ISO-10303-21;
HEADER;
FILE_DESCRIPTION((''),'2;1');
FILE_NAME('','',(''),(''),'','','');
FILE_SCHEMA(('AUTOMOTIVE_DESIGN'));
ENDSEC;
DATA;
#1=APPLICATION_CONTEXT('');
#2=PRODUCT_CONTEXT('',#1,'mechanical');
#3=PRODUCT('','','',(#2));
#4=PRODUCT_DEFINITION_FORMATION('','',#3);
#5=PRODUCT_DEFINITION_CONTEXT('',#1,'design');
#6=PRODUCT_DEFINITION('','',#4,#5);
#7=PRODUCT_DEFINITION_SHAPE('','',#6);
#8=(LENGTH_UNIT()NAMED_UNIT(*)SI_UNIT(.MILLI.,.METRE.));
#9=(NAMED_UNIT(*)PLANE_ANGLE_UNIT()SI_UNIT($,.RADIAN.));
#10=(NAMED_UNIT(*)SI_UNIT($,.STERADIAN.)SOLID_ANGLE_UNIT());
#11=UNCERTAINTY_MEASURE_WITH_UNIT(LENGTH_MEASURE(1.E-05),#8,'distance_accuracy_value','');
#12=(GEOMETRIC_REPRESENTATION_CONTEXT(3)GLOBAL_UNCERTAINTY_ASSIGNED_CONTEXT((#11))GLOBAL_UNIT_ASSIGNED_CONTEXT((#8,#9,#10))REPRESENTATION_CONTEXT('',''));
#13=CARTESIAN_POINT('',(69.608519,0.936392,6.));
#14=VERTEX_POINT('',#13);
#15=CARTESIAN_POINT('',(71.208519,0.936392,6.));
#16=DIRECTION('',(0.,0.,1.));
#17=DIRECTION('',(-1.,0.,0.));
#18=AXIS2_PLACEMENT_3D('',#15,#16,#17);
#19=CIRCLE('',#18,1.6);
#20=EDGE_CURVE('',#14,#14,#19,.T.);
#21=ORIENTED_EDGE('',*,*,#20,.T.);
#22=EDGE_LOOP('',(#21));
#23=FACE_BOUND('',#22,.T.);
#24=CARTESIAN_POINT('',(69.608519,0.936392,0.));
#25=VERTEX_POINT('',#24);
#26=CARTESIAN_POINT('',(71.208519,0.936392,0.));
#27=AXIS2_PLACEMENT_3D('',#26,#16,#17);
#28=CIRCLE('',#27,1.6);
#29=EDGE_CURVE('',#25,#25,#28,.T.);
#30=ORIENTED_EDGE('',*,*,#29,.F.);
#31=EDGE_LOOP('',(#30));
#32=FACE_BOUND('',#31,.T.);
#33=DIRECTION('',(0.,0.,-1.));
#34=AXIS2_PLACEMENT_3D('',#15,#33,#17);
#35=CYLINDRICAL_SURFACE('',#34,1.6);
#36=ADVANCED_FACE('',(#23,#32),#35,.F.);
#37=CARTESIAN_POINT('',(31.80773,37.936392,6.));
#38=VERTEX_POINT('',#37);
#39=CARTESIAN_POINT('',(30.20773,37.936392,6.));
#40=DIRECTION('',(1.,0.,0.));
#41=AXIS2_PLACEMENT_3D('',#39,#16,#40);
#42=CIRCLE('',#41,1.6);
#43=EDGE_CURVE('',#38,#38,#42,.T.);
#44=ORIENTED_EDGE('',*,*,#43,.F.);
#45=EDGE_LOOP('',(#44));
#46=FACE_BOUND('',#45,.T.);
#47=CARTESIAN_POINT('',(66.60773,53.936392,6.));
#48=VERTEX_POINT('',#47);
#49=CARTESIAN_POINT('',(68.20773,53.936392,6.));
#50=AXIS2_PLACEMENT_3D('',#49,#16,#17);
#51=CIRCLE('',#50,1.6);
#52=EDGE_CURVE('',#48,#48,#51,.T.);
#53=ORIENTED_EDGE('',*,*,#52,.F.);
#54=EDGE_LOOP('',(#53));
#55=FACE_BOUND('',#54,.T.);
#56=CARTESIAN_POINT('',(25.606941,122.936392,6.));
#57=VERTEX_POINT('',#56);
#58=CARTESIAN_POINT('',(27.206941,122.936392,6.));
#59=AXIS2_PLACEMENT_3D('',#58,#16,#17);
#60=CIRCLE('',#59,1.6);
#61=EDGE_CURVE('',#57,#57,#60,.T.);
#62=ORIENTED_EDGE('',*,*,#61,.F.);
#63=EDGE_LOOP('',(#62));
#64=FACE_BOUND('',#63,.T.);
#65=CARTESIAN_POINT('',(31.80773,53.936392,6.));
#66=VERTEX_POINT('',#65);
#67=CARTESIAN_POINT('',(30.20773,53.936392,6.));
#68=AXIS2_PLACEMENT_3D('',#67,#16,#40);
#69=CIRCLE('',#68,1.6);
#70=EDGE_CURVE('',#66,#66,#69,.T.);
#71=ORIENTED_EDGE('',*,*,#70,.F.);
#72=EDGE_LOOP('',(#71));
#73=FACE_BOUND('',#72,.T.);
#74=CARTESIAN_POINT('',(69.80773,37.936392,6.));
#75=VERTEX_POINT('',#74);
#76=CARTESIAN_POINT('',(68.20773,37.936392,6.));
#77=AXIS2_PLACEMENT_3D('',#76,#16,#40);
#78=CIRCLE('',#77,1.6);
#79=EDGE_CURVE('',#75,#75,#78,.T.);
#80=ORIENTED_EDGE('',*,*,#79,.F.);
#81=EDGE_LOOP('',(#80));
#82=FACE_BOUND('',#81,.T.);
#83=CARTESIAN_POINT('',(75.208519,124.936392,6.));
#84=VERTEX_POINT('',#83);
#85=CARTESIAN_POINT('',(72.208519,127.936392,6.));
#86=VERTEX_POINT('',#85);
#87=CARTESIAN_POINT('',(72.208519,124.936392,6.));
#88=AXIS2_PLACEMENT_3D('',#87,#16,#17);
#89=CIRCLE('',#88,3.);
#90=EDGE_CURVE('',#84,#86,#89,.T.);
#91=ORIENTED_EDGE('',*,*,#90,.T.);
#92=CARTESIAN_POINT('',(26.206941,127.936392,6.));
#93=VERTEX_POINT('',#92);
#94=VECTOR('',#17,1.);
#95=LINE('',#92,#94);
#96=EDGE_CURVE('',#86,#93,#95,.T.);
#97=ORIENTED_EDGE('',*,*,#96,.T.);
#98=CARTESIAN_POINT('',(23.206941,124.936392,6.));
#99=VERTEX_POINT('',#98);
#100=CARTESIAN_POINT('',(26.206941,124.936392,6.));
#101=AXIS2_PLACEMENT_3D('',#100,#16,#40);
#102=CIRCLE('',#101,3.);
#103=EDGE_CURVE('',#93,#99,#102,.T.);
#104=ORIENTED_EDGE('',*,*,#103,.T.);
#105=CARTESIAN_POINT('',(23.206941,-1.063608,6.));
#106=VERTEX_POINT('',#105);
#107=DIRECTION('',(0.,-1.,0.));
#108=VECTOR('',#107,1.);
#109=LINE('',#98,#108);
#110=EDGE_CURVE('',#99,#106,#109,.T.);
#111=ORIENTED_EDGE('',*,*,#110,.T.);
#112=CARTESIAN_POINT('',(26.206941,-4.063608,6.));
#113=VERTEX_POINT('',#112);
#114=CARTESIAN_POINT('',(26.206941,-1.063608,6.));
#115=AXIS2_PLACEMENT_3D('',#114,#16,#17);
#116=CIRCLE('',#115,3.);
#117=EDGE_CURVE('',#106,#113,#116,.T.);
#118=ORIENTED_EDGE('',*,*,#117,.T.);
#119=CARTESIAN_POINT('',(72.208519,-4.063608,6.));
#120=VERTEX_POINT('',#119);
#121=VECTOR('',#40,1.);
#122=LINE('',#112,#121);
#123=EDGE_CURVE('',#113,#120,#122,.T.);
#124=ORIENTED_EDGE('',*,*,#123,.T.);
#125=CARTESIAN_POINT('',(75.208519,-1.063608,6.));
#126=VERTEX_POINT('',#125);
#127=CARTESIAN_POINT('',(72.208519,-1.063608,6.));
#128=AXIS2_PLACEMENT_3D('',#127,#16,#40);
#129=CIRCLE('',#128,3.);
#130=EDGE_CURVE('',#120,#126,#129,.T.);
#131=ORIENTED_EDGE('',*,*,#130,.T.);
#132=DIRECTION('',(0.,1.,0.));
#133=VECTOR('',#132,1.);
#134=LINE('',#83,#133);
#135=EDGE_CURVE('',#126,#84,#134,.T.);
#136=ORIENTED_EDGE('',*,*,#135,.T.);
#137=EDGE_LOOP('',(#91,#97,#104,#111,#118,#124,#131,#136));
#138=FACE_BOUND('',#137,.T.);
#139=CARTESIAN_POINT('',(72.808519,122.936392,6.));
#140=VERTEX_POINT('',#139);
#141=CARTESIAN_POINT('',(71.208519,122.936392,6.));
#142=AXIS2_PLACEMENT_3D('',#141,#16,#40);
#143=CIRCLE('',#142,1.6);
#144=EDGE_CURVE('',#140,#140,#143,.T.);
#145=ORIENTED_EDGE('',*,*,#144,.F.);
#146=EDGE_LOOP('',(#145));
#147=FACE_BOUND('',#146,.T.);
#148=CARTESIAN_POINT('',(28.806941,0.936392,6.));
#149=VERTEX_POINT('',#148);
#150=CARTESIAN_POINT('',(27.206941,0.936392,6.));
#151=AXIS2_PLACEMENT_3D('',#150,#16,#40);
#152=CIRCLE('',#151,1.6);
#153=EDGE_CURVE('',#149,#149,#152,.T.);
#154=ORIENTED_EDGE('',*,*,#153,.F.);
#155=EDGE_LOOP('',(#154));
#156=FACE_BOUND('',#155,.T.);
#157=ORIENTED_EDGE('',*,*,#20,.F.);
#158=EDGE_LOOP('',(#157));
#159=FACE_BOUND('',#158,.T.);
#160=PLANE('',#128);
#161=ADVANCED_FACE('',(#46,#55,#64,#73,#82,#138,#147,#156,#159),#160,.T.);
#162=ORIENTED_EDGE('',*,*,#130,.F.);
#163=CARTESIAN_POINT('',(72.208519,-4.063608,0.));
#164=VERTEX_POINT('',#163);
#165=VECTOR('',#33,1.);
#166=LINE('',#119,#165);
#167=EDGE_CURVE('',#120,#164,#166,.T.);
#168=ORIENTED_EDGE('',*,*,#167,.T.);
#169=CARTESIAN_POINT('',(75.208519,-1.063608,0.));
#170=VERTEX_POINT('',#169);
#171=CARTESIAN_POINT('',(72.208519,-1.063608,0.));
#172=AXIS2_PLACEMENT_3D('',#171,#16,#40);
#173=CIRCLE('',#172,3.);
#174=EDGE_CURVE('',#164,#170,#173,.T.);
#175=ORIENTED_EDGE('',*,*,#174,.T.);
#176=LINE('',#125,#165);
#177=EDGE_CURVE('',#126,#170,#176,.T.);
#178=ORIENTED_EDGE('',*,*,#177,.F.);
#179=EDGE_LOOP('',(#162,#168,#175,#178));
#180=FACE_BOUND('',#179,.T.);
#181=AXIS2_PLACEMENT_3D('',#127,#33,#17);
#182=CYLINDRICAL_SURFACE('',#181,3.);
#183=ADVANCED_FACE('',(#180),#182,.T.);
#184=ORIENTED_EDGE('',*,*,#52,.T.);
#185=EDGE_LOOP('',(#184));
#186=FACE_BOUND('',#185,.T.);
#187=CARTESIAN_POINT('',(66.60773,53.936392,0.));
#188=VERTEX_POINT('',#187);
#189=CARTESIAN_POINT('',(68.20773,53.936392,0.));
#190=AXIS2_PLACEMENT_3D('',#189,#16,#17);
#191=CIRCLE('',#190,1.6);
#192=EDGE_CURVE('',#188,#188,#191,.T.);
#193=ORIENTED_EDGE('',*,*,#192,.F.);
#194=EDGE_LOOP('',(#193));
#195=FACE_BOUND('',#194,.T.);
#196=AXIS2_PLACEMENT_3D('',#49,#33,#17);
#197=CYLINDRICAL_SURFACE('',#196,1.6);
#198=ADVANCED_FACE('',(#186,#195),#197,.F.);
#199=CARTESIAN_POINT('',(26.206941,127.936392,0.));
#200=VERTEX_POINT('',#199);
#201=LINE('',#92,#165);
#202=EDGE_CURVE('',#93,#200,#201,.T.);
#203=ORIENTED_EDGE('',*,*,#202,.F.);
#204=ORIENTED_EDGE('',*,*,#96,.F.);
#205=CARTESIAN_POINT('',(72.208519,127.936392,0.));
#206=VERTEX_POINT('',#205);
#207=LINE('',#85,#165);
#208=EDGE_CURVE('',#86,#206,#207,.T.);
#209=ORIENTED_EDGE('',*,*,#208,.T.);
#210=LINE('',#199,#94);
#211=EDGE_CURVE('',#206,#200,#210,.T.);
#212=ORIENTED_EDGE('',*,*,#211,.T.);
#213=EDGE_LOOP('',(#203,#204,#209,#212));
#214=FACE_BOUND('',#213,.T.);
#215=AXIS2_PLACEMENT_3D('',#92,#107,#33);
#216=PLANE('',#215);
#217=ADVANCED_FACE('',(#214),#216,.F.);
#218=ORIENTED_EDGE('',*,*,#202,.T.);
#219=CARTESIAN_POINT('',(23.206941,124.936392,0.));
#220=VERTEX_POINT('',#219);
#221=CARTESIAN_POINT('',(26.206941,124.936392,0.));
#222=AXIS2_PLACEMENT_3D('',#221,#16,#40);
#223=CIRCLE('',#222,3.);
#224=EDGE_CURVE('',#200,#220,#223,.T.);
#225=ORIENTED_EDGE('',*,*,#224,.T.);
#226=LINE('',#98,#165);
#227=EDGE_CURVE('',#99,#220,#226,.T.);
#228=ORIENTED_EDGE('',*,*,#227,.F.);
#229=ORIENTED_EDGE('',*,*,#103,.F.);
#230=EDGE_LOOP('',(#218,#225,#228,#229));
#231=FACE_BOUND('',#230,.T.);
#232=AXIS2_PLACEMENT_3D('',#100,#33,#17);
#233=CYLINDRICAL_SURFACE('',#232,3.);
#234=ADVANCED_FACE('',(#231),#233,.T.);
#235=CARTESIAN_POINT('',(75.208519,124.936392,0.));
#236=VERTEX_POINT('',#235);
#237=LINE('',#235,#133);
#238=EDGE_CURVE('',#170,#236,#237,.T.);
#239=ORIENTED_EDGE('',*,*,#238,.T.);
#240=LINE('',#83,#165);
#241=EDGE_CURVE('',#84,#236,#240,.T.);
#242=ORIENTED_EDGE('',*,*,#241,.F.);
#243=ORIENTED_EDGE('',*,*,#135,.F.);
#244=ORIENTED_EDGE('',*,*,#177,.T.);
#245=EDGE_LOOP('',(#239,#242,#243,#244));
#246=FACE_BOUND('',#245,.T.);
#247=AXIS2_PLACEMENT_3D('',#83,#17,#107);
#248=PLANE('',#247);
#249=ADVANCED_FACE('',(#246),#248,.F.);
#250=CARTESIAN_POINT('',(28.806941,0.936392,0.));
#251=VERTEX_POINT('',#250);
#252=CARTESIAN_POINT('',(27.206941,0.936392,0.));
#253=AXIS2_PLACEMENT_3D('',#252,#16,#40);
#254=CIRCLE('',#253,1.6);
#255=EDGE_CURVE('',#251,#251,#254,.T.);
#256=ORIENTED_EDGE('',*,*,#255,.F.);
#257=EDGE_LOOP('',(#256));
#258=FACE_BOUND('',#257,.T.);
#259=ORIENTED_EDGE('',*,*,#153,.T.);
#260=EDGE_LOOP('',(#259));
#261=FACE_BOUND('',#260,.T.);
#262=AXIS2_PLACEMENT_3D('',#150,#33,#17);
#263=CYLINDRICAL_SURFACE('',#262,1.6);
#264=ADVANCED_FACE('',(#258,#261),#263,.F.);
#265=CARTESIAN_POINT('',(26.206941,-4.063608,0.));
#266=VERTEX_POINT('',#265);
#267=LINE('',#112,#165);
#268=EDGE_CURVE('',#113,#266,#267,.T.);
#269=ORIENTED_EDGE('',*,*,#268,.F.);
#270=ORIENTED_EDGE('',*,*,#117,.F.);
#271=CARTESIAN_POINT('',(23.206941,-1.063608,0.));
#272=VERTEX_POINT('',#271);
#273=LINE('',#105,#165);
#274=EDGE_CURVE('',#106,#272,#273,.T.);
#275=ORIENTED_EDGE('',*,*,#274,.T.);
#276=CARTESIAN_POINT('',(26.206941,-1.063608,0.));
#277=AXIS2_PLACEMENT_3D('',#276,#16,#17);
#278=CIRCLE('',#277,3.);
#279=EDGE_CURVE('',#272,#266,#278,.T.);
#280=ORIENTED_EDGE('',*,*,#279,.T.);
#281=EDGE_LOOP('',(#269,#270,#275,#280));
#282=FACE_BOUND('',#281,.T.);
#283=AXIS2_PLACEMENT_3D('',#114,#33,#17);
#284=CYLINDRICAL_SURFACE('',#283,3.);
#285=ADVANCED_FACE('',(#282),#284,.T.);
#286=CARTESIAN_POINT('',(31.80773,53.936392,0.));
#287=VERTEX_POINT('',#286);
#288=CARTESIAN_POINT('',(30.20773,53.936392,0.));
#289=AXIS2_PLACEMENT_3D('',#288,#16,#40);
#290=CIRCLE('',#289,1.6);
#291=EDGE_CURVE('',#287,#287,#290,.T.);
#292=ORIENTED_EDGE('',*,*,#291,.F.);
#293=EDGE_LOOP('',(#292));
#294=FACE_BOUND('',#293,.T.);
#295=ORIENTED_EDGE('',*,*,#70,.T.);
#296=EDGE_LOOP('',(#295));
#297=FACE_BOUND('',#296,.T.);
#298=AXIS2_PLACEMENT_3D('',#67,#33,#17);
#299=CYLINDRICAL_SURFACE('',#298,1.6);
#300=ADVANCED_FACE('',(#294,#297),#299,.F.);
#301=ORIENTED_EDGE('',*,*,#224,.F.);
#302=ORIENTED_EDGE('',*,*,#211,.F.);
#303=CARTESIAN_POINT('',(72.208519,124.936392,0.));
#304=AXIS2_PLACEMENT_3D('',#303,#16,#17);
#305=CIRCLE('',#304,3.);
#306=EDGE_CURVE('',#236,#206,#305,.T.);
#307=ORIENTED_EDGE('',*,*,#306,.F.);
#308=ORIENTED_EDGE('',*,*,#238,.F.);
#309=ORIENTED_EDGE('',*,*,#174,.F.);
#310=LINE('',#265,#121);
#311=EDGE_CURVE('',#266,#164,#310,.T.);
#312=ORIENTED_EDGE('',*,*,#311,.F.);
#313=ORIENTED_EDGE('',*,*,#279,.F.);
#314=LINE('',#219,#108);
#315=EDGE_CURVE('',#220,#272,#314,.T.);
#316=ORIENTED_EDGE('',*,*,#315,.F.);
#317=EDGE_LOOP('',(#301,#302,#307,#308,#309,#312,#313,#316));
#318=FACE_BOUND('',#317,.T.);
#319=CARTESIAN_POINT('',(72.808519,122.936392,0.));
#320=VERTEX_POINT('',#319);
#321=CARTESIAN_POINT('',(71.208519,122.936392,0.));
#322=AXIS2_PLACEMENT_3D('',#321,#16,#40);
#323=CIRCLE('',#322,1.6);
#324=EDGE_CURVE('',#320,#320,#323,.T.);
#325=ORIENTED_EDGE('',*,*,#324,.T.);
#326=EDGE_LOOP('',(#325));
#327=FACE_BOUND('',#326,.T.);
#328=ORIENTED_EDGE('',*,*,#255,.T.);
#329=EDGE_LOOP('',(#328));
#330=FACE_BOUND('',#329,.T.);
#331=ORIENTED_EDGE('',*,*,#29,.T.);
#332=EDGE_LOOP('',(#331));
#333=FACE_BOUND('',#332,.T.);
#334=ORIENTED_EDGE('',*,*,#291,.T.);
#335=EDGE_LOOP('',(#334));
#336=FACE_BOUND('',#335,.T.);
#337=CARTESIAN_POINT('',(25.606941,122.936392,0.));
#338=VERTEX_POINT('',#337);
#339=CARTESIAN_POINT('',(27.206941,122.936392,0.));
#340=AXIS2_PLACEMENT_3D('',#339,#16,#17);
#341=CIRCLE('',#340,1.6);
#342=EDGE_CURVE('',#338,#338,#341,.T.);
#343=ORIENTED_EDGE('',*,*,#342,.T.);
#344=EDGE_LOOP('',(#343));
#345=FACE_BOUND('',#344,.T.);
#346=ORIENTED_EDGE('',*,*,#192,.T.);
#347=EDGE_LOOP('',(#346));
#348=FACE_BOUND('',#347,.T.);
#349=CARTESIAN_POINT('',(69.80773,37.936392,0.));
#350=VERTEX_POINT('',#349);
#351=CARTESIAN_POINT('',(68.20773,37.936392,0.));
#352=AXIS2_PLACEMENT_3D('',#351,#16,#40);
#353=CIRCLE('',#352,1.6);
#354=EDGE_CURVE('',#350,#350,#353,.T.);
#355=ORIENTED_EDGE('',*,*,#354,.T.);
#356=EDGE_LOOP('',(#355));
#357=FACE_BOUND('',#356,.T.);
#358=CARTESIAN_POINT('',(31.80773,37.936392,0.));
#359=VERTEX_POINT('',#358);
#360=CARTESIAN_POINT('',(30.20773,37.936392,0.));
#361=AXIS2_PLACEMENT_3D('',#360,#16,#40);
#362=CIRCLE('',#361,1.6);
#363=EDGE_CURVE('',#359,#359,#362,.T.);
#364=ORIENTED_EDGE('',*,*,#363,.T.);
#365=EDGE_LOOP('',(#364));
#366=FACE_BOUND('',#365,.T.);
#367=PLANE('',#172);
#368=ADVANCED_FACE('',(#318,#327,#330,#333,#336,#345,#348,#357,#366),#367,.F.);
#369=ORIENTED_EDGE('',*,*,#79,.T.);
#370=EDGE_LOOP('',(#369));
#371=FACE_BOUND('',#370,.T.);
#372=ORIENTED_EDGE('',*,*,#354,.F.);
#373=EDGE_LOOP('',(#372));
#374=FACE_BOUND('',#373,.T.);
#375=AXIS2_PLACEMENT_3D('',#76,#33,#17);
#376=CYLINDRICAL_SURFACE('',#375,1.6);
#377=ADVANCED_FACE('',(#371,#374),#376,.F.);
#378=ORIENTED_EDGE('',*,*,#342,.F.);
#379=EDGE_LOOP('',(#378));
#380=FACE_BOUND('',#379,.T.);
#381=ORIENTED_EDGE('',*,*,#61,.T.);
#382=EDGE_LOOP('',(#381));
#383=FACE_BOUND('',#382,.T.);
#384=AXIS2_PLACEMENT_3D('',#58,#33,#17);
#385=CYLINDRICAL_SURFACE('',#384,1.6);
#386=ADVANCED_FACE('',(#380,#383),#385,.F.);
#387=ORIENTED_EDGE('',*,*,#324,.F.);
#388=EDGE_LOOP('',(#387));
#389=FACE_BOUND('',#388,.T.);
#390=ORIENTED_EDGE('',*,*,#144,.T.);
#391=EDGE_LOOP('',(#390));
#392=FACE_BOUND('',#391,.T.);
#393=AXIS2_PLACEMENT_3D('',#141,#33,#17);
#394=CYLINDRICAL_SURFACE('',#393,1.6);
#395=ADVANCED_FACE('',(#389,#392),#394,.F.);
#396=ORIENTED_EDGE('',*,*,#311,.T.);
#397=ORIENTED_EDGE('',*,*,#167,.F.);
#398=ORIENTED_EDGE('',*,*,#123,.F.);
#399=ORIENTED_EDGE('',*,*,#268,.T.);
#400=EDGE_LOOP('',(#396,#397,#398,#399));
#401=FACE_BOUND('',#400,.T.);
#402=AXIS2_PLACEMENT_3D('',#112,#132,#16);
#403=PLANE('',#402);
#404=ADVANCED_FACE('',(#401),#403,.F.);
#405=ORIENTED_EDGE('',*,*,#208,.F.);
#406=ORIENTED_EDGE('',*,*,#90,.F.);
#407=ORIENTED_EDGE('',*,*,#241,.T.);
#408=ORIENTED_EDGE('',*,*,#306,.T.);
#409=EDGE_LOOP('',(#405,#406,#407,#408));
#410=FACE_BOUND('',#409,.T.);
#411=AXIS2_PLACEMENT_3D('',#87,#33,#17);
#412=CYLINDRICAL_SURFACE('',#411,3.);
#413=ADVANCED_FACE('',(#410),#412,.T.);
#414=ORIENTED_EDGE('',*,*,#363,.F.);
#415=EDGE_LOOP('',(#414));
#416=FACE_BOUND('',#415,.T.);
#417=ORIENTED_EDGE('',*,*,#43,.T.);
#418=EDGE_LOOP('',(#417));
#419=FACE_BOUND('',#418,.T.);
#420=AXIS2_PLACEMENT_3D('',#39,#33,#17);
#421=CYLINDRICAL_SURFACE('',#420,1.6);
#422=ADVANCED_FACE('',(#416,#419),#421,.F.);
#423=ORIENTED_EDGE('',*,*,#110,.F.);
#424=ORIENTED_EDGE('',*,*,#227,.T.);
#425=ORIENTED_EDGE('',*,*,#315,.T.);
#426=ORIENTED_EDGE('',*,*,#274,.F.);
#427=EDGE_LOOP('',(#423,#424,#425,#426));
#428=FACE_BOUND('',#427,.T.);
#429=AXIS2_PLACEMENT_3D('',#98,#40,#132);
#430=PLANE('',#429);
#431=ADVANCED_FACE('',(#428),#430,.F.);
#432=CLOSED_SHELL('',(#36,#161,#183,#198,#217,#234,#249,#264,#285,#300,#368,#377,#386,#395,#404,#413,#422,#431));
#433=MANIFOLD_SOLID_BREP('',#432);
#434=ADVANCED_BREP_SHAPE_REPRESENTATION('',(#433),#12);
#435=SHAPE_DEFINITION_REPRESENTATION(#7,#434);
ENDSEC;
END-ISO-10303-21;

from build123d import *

# Parameters (mm, degrees)
SKETCH1_R           = 1.6
BOSS_EXTRUDE1_DEPTH = 6


with BuildPart() as part:
    # Sketch1 → Boss-Extrude1 (new body)
    with BuildSketch(Plane.XY):
        with BuildLine():
            Line((23.206941284, 124.936391703), (23.206941284, -1.063608297))
            ThreePointArc((23.206941284, -1.063608297), (24.085620941, -3.184928641), (26.206941284, -4.063608297))
            Line((26.206941284, -4.063608297), (72.208519176, -4.063608297))
            ThreePointArc((72.208519176, -4.063608297), (74.32983952, -3.184928641), (75.208519176, -1.063608297))
            Line((75.208519176, -1.063608297), (75.208519176, 124.936391703))
            ThreePointArc((75.208519176, 124.936391703), (74.32983952, 127.057712046), (72.208519176, 127.936391703))
            Line((72.208519176, 127.936391703), (26.206941284, 127.936391703))
            ThreePointArc((26.206941284, 127.936391703), (24.085620941, 127.057712046), (23.206941284, 124.936391703))
        make_face()
        with Locations((30.20773023, 53.936391703)):
            Circle(SKETCH1_R, mode=Mode.SUBTRACT)
        with Locations((27.206941284, 0.936391703)):
            Circle(SKETCH1_R, mode=Mode.SUBTRACT)
        with Locations((30.20773023, 37.936391703)):
            Circle(SKETCH1_R, mode=Mode.SUBTRACT)
        with Locations((71.208519176, 122.936391703)):
            Circle(SKETCH1_R, mode=Mode.SUBTRACT)
        with Locations(Location((71.208519176, 0.936391703, 0), (0, 0, 180))):
            Circle(SKETCH1_R, mode=Mode.SUBTRACT)
        with Locations(Location((68.20773023, 53.936391703, 0), (0, 0, 180))):
            Circle(SKETCH1_R, mode=Mode.SUBTRACT)
        with Locations(Location((27.206941284, 122.936391703, 0), (0, 0, 180))):
            Circle(SKETCH1_R, mode=Mode.SUBTRACT)
        with Locations((68.20773023, 37.936391703)):
            Circle(SKETCH1_R, mode=Mode.SUBTRACT)
    extrude(amount=BOSS_EXTRUDE1_DEPTH)


solid = part.part
